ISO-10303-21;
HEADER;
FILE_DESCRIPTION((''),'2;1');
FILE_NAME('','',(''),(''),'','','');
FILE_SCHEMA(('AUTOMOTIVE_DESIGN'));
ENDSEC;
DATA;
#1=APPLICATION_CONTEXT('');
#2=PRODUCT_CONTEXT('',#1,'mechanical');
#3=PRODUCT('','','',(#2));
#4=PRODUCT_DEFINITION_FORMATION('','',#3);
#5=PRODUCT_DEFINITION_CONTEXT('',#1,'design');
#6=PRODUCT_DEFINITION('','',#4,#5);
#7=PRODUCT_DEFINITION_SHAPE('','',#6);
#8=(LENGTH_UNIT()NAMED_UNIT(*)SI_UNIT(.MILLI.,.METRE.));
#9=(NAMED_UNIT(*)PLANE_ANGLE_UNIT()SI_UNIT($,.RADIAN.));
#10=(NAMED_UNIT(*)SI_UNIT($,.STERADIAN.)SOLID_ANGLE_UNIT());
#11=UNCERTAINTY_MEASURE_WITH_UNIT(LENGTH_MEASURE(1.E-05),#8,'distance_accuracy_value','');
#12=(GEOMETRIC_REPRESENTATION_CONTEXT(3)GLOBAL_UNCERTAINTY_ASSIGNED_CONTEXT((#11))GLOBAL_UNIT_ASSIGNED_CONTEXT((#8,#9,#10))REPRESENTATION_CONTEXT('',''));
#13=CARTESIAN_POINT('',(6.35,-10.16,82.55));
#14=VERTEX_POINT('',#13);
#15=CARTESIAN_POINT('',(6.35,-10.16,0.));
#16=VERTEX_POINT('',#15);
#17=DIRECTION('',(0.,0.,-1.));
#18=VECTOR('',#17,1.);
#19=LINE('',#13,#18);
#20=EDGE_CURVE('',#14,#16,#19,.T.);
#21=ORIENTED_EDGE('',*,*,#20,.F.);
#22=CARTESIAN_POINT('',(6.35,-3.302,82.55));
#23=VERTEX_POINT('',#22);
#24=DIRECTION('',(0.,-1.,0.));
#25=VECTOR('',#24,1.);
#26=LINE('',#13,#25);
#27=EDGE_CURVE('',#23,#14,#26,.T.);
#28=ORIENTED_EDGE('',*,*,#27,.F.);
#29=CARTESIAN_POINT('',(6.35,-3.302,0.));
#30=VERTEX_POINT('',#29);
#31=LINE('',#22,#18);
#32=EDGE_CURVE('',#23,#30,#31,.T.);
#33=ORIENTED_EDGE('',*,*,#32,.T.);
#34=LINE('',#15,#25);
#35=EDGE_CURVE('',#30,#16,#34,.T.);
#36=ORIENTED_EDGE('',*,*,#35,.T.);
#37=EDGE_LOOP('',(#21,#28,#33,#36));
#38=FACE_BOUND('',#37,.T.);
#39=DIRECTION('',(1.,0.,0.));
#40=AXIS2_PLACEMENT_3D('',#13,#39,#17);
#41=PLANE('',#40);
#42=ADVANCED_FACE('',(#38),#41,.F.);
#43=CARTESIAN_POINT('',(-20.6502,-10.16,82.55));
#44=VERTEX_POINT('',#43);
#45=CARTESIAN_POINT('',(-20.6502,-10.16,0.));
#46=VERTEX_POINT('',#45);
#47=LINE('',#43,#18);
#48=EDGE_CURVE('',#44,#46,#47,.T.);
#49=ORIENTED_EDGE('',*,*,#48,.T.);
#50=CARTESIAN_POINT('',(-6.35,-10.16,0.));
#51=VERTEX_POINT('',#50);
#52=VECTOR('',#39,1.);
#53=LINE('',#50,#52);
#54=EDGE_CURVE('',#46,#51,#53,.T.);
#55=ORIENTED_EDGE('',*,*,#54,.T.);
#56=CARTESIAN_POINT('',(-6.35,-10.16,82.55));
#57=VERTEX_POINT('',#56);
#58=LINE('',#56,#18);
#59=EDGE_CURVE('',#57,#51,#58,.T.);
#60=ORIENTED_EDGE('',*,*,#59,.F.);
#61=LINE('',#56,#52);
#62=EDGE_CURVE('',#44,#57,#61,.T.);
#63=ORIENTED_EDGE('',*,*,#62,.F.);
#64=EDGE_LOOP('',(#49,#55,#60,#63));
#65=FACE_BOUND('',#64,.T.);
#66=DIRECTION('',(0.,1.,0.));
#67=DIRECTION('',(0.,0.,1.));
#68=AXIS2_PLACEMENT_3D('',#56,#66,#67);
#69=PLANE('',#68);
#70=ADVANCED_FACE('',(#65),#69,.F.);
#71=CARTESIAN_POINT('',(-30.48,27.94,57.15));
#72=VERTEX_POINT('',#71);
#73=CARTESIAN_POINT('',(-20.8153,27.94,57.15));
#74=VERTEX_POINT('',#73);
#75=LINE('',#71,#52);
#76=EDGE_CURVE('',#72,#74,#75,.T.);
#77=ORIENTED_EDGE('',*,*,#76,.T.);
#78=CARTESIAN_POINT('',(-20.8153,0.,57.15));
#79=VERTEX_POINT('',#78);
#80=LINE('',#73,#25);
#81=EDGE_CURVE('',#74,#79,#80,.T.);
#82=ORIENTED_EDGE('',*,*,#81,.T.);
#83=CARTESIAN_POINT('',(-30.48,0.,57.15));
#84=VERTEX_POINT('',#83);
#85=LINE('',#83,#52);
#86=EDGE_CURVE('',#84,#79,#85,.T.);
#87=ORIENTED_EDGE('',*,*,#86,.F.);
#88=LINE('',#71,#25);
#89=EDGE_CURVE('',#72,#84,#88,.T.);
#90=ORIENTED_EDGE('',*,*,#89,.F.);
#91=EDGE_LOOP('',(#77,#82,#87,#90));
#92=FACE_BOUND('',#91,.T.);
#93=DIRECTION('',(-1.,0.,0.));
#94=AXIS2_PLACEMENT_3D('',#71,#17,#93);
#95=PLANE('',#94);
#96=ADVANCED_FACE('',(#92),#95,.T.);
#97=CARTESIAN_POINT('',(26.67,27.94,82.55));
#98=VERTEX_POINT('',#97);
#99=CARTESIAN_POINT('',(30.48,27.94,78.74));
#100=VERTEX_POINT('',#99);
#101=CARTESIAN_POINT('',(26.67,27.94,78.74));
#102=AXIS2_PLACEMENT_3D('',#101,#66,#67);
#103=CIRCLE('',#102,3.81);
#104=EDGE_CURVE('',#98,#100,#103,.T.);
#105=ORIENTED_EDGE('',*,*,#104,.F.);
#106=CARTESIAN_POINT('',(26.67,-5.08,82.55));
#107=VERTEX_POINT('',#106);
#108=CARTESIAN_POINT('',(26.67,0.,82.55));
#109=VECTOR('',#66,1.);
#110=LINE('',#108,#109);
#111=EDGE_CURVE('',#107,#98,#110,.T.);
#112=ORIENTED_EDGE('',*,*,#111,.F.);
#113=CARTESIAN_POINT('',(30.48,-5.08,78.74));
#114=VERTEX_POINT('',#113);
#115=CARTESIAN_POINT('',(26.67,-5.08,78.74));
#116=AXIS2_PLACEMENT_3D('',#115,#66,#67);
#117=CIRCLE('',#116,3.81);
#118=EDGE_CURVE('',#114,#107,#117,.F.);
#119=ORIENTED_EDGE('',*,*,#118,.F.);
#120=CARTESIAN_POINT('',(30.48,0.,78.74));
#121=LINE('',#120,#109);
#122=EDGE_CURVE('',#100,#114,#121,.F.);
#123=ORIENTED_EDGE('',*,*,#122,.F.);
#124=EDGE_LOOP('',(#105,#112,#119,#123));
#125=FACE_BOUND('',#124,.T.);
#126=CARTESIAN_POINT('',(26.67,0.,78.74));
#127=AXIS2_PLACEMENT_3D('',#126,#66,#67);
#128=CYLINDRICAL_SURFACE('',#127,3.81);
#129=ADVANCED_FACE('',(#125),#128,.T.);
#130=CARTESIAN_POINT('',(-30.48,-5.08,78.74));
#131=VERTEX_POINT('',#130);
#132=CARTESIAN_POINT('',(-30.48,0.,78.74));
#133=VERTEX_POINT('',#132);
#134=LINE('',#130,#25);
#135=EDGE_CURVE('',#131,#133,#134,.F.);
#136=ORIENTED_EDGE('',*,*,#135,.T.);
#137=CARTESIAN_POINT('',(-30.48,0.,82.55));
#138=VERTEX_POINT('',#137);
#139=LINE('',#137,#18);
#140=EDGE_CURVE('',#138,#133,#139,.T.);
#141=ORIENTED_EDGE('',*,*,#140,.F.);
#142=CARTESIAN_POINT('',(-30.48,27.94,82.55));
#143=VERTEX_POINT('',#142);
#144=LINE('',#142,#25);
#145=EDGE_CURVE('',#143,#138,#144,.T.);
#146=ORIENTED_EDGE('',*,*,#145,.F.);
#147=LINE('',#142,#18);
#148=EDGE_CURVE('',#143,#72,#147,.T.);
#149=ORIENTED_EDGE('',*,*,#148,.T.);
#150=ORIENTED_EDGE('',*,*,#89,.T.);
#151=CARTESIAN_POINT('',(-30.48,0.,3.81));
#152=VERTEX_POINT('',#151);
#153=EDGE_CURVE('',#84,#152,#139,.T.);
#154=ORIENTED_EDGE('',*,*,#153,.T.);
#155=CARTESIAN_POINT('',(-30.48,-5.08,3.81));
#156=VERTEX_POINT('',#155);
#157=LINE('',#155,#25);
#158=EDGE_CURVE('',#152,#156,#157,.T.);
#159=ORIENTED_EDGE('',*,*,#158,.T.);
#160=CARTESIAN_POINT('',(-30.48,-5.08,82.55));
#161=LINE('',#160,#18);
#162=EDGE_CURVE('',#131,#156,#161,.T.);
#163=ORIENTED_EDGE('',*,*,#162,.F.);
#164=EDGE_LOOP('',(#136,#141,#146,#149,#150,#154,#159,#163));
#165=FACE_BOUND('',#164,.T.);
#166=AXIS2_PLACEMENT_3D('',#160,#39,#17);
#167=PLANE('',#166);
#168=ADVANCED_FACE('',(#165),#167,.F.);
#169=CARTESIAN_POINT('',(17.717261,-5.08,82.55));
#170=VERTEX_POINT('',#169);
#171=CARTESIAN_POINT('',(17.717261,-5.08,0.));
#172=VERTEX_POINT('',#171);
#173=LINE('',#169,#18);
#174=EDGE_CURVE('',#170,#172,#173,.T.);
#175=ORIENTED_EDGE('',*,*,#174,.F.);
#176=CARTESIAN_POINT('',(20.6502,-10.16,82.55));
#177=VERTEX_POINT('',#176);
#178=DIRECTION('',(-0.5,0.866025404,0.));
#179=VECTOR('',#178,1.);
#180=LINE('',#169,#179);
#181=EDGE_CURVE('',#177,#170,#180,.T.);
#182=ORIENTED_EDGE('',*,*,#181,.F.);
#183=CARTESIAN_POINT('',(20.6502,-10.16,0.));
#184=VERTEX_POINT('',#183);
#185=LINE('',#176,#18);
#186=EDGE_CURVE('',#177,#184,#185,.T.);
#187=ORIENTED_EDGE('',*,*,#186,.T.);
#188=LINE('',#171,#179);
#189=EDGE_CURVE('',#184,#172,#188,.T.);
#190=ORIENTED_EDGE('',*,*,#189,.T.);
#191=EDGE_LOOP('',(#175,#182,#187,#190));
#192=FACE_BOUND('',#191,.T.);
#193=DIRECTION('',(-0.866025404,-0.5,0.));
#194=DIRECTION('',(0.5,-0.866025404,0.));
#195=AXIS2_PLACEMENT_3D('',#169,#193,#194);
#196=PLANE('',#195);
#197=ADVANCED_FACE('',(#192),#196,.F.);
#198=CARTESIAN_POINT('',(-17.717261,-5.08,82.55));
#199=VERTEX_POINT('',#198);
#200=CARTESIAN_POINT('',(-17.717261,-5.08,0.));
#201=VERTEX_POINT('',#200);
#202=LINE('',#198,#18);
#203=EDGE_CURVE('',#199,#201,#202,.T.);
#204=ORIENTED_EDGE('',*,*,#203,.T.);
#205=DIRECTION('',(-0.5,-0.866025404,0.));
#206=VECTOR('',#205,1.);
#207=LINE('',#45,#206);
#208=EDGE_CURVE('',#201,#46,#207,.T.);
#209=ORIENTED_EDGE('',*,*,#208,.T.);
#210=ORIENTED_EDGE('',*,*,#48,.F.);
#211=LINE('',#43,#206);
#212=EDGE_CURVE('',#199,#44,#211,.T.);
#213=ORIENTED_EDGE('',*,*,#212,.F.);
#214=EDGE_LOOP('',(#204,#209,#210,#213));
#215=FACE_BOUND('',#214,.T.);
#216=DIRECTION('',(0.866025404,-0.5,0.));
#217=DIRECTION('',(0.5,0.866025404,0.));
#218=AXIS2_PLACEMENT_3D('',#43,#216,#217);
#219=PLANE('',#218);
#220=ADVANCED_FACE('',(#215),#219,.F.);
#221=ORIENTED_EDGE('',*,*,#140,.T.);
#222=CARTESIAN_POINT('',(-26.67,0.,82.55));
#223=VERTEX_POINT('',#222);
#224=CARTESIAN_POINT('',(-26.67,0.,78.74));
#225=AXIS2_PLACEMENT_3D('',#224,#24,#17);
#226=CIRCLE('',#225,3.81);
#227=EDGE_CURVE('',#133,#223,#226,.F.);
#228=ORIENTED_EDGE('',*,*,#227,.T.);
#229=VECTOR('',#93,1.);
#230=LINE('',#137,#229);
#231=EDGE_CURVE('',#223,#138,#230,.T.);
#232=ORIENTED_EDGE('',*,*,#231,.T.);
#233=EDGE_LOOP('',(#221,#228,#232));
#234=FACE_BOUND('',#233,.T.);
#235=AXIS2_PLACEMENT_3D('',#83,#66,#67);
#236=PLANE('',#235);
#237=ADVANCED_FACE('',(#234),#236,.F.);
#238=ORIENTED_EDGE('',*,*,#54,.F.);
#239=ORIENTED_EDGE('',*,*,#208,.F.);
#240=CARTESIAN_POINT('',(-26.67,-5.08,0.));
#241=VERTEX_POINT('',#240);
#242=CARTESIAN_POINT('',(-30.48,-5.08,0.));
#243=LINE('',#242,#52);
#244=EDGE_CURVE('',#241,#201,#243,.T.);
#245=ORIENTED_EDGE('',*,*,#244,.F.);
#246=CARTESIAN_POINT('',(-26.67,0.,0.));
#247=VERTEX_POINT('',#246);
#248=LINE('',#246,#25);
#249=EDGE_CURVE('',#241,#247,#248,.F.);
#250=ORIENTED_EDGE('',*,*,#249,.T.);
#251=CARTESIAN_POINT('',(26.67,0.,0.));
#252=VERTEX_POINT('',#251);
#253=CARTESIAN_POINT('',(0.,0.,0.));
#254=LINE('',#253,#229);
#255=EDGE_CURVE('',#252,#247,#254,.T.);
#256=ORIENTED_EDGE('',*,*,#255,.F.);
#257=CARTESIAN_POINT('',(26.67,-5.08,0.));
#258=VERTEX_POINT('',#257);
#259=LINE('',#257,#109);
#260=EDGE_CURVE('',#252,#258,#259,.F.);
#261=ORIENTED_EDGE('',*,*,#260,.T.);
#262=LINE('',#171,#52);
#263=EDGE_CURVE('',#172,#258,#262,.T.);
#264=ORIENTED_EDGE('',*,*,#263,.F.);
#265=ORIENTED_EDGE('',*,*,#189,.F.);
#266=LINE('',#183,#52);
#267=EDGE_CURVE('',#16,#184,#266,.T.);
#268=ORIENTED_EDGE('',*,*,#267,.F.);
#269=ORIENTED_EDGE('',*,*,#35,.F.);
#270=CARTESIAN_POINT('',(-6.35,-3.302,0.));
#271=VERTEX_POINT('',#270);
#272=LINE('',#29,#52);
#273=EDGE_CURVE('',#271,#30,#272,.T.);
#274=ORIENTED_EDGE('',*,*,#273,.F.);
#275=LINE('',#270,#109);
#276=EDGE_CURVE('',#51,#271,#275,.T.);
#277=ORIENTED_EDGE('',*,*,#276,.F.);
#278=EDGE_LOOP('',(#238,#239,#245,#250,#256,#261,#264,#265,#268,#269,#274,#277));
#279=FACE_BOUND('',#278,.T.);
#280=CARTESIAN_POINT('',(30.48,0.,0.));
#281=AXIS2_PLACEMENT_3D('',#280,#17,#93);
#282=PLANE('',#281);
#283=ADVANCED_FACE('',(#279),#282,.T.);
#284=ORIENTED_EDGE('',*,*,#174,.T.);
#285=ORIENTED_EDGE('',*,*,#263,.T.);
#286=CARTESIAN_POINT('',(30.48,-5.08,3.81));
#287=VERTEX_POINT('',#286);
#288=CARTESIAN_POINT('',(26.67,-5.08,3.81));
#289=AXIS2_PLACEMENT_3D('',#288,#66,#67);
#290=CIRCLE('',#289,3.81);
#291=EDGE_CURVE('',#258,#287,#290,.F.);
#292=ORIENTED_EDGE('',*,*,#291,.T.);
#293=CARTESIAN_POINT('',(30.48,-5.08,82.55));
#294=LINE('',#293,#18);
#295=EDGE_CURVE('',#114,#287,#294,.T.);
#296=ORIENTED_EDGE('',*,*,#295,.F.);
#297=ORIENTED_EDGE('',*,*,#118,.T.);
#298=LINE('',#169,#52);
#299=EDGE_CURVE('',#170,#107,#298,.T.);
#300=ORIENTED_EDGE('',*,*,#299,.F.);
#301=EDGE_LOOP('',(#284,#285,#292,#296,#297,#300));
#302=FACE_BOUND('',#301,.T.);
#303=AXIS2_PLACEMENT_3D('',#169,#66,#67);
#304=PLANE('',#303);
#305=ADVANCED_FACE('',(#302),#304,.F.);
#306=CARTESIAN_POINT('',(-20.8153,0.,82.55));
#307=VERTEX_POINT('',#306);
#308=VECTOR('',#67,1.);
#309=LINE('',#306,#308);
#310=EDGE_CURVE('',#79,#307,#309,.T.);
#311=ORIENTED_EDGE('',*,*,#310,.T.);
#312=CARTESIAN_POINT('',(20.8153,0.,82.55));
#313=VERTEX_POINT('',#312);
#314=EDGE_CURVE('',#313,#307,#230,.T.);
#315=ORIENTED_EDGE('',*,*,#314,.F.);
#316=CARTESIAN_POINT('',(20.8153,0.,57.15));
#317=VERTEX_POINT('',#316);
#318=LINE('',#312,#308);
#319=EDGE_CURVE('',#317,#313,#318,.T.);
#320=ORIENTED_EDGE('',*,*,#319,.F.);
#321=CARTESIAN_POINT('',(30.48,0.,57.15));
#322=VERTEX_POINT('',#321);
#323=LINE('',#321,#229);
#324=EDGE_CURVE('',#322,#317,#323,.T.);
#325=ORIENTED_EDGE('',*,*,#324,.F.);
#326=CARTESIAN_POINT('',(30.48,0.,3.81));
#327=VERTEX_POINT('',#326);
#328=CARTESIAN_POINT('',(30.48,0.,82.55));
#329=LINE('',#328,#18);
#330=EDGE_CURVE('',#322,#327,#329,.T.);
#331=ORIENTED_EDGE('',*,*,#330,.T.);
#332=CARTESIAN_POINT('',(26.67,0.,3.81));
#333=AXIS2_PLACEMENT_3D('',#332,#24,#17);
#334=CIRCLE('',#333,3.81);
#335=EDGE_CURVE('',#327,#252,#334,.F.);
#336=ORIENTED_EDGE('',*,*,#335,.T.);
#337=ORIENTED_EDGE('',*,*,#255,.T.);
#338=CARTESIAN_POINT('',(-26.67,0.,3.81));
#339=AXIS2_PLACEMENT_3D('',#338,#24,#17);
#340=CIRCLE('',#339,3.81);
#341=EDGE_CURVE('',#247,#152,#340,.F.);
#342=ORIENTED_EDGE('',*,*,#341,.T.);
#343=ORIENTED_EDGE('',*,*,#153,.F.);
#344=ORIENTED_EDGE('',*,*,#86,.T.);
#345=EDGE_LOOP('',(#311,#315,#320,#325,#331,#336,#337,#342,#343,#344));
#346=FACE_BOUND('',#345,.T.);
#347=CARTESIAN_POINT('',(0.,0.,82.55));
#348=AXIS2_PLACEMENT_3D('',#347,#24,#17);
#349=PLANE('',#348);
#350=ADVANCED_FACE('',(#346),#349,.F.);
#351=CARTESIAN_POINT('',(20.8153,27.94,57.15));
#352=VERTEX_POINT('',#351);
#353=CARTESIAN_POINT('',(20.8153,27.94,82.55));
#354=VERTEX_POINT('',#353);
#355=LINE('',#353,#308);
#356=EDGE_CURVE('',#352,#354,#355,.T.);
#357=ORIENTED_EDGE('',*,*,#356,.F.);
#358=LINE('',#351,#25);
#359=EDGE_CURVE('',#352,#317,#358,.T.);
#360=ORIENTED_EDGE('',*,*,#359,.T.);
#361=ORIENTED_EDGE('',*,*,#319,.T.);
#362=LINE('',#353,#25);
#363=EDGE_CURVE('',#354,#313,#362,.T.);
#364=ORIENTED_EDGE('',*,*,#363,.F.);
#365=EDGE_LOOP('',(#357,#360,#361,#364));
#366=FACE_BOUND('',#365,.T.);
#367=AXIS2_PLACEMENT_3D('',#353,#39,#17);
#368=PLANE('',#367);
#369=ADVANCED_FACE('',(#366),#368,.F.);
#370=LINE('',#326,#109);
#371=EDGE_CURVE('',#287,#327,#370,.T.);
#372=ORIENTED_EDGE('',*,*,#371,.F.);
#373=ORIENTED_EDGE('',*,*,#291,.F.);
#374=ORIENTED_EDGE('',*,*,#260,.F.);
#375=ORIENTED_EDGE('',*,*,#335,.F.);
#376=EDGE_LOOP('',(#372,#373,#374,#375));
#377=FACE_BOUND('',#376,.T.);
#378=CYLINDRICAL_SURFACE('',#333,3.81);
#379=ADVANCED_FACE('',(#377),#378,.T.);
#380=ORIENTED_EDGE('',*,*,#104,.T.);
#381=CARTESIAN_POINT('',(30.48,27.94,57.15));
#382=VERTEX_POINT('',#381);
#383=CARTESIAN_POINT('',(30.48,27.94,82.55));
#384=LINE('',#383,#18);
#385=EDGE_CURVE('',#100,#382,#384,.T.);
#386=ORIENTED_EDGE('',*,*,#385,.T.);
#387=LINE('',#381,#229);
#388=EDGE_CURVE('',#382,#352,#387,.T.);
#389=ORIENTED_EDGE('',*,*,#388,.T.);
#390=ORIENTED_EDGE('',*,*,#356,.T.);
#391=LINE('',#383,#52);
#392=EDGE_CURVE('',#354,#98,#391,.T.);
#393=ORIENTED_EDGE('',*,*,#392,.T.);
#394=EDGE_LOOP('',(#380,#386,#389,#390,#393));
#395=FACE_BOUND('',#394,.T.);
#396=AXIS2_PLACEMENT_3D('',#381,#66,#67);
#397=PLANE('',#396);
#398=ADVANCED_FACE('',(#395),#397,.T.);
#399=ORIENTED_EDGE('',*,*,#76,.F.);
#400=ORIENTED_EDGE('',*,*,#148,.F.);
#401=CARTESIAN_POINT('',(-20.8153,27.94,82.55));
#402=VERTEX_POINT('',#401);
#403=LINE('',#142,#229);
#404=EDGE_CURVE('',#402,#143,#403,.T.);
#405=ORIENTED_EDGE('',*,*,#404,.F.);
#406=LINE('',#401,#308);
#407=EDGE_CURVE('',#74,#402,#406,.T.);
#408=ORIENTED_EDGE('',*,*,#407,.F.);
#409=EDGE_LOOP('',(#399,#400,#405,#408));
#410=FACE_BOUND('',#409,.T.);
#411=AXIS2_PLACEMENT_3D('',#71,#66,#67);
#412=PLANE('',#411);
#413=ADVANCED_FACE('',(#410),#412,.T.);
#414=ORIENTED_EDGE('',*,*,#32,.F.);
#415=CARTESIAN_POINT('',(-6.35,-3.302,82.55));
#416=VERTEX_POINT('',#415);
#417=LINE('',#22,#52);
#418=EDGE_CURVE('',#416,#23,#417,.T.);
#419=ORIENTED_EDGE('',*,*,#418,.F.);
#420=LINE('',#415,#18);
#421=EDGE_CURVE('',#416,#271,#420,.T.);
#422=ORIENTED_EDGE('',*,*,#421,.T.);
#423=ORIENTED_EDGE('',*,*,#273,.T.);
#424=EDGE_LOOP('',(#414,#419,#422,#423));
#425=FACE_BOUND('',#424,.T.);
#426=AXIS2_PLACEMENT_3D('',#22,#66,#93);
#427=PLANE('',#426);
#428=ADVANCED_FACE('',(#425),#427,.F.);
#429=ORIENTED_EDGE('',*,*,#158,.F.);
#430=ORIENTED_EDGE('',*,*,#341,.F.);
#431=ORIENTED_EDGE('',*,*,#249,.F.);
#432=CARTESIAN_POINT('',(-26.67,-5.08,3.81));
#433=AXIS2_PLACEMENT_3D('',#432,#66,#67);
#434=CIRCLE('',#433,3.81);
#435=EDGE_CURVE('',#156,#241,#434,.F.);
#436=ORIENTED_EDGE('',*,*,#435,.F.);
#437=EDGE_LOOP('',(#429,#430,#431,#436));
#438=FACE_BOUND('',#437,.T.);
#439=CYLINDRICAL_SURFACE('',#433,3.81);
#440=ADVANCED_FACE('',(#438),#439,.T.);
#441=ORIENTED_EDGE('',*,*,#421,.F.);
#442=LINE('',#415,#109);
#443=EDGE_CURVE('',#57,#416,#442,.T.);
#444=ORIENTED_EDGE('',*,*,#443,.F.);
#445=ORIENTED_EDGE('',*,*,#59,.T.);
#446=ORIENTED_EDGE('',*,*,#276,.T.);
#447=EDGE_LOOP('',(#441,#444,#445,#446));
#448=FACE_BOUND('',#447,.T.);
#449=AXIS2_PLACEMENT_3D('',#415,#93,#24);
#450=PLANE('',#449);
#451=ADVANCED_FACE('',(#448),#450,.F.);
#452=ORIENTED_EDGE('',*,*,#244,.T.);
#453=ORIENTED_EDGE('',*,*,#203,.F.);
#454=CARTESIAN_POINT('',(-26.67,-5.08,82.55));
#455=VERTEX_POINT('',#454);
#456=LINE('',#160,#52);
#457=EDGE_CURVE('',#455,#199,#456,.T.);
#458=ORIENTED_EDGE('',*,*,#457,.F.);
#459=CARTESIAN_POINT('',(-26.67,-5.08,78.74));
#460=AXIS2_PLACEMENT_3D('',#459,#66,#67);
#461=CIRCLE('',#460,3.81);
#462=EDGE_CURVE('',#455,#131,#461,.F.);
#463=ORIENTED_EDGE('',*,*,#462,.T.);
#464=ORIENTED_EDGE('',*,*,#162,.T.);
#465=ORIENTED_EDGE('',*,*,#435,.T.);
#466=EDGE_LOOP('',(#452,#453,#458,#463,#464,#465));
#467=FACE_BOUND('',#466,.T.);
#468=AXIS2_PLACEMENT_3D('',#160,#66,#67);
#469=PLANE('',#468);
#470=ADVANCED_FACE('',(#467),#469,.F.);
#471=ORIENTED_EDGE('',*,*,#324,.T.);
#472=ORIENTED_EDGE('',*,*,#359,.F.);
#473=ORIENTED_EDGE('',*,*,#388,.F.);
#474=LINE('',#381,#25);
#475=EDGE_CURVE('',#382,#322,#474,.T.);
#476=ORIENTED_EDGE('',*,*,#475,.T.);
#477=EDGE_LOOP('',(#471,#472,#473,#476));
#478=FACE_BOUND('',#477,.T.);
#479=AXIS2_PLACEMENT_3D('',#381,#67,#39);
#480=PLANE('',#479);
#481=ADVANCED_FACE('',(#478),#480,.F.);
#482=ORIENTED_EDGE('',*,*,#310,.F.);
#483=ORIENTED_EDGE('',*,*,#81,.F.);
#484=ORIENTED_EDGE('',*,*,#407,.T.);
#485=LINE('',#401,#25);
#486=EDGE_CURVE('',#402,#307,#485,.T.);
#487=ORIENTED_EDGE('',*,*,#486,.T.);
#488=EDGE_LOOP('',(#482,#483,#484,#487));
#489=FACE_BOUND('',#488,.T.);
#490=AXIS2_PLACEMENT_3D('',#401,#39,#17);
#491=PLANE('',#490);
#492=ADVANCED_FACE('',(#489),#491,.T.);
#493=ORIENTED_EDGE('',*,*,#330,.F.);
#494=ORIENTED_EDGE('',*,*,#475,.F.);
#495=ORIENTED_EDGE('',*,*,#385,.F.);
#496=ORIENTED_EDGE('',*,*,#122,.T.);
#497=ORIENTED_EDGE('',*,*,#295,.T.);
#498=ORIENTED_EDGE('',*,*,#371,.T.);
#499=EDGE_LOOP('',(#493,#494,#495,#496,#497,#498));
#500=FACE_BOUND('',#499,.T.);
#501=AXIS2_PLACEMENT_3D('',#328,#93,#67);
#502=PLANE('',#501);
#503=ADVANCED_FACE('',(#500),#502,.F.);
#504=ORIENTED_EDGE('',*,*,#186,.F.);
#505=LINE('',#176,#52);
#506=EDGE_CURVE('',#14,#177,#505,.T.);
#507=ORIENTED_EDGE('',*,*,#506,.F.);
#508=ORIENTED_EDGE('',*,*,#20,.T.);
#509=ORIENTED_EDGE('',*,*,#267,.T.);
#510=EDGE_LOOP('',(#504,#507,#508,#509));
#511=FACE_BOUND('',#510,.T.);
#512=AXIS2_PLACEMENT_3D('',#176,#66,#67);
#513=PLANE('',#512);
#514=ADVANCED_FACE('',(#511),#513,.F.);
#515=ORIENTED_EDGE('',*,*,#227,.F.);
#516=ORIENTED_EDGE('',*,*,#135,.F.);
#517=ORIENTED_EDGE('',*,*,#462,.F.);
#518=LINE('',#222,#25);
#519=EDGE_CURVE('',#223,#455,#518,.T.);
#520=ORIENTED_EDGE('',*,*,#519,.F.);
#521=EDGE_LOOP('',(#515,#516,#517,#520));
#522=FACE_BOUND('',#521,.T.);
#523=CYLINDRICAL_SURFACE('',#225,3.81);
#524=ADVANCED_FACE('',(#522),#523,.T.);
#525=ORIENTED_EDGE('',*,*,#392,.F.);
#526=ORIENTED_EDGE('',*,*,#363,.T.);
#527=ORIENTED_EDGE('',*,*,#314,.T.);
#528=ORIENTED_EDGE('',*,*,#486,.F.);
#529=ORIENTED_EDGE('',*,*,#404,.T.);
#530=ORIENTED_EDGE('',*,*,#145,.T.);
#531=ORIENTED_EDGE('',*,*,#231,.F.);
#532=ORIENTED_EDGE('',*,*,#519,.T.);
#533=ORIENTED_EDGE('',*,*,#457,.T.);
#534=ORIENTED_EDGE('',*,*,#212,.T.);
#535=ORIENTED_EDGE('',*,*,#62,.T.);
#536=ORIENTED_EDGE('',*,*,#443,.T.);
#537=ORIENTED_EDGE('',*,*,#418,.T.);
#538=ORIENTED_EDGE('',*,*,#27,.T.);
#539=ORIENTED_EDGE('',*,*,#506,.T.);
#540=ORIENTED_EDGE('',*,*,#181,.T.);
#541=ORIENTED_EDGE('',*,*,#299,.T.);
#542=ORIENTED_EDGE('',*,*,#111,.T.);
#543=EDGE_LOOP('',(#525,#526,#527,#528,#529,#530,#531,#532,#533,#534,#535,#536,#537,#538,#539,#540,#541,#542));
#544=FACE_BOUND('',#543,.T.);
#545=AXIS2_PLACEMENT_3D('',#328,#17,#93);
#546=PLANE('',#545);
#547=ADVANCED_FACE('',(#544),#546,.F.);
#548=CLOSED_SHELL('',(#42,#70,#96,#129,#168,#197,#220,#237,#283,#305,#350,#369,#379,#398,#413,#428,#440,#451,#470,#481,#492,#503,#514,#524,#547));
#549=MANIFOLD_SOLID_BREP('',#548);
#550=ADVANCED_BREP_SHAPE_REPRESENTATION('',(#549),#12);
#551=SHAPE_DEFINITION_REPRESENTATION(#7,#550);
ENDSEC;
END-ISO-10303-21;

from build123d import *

# Parameters (mm, degrees)
EXTRUDE1_DEPTH = 82.55
SKETCH8_W      = 9.6647
SKETCH8_H      = 25.4
EXTRUDE6_DEPTH = 27.94
FILLET1_R      = 3.81


with BuildPart() as part:
    # Sketch1 → Extrude1 (new body)
    with BuildSketch(Plane.XY):
        Polygon((0, 0), (30.48, 0), (30.48, -5.08), (17.717260633, -5.08), (20.6502, -10.16), (6.35, -10.16), (6.35, -3.302), (-6.35, -3.302), (-6.35, -10.16), (-20.6502, -10.16), (-17.717260633, -5.08), (-30.48, -5.08), (-30.48, 0), align=None)
    extrude(amount=EXTRUDE1_DEPTH)

    # Sketch8 → Extrude6 (add)
    with BuildSketch(Plane(origin=(0, 0, 0), x_dir=(1, 0, 0), z_dir=(0, 1, 0))):
        with Locations((25.64765, -69.85)):
            Rectangle(SKETCH8_W, SKETCH8_H)
    extrude6 = extrude(amount=EXTRUDE6_DEPTH)

    # Fillet1
    fillet1_edges = [part.edges().sort_by_distance(p)[0] for p in [
        (30.48, -2.54, 0),
        (-30.48, -2.54, 0),
        (30.48, 11.43, 82.55),
        (-30.48, -2.54, 82.55),
    ]]
    fillet(fillet1_edges, radius=FILLET1_R)

    # Mirror1: Extrude6 across plane
    add(extrude6.mirror(Plane(origin=(0, 0, 0), x_dir=(0, 0, 1), z_dir=(1, 0, 0))))


solid = part.part
